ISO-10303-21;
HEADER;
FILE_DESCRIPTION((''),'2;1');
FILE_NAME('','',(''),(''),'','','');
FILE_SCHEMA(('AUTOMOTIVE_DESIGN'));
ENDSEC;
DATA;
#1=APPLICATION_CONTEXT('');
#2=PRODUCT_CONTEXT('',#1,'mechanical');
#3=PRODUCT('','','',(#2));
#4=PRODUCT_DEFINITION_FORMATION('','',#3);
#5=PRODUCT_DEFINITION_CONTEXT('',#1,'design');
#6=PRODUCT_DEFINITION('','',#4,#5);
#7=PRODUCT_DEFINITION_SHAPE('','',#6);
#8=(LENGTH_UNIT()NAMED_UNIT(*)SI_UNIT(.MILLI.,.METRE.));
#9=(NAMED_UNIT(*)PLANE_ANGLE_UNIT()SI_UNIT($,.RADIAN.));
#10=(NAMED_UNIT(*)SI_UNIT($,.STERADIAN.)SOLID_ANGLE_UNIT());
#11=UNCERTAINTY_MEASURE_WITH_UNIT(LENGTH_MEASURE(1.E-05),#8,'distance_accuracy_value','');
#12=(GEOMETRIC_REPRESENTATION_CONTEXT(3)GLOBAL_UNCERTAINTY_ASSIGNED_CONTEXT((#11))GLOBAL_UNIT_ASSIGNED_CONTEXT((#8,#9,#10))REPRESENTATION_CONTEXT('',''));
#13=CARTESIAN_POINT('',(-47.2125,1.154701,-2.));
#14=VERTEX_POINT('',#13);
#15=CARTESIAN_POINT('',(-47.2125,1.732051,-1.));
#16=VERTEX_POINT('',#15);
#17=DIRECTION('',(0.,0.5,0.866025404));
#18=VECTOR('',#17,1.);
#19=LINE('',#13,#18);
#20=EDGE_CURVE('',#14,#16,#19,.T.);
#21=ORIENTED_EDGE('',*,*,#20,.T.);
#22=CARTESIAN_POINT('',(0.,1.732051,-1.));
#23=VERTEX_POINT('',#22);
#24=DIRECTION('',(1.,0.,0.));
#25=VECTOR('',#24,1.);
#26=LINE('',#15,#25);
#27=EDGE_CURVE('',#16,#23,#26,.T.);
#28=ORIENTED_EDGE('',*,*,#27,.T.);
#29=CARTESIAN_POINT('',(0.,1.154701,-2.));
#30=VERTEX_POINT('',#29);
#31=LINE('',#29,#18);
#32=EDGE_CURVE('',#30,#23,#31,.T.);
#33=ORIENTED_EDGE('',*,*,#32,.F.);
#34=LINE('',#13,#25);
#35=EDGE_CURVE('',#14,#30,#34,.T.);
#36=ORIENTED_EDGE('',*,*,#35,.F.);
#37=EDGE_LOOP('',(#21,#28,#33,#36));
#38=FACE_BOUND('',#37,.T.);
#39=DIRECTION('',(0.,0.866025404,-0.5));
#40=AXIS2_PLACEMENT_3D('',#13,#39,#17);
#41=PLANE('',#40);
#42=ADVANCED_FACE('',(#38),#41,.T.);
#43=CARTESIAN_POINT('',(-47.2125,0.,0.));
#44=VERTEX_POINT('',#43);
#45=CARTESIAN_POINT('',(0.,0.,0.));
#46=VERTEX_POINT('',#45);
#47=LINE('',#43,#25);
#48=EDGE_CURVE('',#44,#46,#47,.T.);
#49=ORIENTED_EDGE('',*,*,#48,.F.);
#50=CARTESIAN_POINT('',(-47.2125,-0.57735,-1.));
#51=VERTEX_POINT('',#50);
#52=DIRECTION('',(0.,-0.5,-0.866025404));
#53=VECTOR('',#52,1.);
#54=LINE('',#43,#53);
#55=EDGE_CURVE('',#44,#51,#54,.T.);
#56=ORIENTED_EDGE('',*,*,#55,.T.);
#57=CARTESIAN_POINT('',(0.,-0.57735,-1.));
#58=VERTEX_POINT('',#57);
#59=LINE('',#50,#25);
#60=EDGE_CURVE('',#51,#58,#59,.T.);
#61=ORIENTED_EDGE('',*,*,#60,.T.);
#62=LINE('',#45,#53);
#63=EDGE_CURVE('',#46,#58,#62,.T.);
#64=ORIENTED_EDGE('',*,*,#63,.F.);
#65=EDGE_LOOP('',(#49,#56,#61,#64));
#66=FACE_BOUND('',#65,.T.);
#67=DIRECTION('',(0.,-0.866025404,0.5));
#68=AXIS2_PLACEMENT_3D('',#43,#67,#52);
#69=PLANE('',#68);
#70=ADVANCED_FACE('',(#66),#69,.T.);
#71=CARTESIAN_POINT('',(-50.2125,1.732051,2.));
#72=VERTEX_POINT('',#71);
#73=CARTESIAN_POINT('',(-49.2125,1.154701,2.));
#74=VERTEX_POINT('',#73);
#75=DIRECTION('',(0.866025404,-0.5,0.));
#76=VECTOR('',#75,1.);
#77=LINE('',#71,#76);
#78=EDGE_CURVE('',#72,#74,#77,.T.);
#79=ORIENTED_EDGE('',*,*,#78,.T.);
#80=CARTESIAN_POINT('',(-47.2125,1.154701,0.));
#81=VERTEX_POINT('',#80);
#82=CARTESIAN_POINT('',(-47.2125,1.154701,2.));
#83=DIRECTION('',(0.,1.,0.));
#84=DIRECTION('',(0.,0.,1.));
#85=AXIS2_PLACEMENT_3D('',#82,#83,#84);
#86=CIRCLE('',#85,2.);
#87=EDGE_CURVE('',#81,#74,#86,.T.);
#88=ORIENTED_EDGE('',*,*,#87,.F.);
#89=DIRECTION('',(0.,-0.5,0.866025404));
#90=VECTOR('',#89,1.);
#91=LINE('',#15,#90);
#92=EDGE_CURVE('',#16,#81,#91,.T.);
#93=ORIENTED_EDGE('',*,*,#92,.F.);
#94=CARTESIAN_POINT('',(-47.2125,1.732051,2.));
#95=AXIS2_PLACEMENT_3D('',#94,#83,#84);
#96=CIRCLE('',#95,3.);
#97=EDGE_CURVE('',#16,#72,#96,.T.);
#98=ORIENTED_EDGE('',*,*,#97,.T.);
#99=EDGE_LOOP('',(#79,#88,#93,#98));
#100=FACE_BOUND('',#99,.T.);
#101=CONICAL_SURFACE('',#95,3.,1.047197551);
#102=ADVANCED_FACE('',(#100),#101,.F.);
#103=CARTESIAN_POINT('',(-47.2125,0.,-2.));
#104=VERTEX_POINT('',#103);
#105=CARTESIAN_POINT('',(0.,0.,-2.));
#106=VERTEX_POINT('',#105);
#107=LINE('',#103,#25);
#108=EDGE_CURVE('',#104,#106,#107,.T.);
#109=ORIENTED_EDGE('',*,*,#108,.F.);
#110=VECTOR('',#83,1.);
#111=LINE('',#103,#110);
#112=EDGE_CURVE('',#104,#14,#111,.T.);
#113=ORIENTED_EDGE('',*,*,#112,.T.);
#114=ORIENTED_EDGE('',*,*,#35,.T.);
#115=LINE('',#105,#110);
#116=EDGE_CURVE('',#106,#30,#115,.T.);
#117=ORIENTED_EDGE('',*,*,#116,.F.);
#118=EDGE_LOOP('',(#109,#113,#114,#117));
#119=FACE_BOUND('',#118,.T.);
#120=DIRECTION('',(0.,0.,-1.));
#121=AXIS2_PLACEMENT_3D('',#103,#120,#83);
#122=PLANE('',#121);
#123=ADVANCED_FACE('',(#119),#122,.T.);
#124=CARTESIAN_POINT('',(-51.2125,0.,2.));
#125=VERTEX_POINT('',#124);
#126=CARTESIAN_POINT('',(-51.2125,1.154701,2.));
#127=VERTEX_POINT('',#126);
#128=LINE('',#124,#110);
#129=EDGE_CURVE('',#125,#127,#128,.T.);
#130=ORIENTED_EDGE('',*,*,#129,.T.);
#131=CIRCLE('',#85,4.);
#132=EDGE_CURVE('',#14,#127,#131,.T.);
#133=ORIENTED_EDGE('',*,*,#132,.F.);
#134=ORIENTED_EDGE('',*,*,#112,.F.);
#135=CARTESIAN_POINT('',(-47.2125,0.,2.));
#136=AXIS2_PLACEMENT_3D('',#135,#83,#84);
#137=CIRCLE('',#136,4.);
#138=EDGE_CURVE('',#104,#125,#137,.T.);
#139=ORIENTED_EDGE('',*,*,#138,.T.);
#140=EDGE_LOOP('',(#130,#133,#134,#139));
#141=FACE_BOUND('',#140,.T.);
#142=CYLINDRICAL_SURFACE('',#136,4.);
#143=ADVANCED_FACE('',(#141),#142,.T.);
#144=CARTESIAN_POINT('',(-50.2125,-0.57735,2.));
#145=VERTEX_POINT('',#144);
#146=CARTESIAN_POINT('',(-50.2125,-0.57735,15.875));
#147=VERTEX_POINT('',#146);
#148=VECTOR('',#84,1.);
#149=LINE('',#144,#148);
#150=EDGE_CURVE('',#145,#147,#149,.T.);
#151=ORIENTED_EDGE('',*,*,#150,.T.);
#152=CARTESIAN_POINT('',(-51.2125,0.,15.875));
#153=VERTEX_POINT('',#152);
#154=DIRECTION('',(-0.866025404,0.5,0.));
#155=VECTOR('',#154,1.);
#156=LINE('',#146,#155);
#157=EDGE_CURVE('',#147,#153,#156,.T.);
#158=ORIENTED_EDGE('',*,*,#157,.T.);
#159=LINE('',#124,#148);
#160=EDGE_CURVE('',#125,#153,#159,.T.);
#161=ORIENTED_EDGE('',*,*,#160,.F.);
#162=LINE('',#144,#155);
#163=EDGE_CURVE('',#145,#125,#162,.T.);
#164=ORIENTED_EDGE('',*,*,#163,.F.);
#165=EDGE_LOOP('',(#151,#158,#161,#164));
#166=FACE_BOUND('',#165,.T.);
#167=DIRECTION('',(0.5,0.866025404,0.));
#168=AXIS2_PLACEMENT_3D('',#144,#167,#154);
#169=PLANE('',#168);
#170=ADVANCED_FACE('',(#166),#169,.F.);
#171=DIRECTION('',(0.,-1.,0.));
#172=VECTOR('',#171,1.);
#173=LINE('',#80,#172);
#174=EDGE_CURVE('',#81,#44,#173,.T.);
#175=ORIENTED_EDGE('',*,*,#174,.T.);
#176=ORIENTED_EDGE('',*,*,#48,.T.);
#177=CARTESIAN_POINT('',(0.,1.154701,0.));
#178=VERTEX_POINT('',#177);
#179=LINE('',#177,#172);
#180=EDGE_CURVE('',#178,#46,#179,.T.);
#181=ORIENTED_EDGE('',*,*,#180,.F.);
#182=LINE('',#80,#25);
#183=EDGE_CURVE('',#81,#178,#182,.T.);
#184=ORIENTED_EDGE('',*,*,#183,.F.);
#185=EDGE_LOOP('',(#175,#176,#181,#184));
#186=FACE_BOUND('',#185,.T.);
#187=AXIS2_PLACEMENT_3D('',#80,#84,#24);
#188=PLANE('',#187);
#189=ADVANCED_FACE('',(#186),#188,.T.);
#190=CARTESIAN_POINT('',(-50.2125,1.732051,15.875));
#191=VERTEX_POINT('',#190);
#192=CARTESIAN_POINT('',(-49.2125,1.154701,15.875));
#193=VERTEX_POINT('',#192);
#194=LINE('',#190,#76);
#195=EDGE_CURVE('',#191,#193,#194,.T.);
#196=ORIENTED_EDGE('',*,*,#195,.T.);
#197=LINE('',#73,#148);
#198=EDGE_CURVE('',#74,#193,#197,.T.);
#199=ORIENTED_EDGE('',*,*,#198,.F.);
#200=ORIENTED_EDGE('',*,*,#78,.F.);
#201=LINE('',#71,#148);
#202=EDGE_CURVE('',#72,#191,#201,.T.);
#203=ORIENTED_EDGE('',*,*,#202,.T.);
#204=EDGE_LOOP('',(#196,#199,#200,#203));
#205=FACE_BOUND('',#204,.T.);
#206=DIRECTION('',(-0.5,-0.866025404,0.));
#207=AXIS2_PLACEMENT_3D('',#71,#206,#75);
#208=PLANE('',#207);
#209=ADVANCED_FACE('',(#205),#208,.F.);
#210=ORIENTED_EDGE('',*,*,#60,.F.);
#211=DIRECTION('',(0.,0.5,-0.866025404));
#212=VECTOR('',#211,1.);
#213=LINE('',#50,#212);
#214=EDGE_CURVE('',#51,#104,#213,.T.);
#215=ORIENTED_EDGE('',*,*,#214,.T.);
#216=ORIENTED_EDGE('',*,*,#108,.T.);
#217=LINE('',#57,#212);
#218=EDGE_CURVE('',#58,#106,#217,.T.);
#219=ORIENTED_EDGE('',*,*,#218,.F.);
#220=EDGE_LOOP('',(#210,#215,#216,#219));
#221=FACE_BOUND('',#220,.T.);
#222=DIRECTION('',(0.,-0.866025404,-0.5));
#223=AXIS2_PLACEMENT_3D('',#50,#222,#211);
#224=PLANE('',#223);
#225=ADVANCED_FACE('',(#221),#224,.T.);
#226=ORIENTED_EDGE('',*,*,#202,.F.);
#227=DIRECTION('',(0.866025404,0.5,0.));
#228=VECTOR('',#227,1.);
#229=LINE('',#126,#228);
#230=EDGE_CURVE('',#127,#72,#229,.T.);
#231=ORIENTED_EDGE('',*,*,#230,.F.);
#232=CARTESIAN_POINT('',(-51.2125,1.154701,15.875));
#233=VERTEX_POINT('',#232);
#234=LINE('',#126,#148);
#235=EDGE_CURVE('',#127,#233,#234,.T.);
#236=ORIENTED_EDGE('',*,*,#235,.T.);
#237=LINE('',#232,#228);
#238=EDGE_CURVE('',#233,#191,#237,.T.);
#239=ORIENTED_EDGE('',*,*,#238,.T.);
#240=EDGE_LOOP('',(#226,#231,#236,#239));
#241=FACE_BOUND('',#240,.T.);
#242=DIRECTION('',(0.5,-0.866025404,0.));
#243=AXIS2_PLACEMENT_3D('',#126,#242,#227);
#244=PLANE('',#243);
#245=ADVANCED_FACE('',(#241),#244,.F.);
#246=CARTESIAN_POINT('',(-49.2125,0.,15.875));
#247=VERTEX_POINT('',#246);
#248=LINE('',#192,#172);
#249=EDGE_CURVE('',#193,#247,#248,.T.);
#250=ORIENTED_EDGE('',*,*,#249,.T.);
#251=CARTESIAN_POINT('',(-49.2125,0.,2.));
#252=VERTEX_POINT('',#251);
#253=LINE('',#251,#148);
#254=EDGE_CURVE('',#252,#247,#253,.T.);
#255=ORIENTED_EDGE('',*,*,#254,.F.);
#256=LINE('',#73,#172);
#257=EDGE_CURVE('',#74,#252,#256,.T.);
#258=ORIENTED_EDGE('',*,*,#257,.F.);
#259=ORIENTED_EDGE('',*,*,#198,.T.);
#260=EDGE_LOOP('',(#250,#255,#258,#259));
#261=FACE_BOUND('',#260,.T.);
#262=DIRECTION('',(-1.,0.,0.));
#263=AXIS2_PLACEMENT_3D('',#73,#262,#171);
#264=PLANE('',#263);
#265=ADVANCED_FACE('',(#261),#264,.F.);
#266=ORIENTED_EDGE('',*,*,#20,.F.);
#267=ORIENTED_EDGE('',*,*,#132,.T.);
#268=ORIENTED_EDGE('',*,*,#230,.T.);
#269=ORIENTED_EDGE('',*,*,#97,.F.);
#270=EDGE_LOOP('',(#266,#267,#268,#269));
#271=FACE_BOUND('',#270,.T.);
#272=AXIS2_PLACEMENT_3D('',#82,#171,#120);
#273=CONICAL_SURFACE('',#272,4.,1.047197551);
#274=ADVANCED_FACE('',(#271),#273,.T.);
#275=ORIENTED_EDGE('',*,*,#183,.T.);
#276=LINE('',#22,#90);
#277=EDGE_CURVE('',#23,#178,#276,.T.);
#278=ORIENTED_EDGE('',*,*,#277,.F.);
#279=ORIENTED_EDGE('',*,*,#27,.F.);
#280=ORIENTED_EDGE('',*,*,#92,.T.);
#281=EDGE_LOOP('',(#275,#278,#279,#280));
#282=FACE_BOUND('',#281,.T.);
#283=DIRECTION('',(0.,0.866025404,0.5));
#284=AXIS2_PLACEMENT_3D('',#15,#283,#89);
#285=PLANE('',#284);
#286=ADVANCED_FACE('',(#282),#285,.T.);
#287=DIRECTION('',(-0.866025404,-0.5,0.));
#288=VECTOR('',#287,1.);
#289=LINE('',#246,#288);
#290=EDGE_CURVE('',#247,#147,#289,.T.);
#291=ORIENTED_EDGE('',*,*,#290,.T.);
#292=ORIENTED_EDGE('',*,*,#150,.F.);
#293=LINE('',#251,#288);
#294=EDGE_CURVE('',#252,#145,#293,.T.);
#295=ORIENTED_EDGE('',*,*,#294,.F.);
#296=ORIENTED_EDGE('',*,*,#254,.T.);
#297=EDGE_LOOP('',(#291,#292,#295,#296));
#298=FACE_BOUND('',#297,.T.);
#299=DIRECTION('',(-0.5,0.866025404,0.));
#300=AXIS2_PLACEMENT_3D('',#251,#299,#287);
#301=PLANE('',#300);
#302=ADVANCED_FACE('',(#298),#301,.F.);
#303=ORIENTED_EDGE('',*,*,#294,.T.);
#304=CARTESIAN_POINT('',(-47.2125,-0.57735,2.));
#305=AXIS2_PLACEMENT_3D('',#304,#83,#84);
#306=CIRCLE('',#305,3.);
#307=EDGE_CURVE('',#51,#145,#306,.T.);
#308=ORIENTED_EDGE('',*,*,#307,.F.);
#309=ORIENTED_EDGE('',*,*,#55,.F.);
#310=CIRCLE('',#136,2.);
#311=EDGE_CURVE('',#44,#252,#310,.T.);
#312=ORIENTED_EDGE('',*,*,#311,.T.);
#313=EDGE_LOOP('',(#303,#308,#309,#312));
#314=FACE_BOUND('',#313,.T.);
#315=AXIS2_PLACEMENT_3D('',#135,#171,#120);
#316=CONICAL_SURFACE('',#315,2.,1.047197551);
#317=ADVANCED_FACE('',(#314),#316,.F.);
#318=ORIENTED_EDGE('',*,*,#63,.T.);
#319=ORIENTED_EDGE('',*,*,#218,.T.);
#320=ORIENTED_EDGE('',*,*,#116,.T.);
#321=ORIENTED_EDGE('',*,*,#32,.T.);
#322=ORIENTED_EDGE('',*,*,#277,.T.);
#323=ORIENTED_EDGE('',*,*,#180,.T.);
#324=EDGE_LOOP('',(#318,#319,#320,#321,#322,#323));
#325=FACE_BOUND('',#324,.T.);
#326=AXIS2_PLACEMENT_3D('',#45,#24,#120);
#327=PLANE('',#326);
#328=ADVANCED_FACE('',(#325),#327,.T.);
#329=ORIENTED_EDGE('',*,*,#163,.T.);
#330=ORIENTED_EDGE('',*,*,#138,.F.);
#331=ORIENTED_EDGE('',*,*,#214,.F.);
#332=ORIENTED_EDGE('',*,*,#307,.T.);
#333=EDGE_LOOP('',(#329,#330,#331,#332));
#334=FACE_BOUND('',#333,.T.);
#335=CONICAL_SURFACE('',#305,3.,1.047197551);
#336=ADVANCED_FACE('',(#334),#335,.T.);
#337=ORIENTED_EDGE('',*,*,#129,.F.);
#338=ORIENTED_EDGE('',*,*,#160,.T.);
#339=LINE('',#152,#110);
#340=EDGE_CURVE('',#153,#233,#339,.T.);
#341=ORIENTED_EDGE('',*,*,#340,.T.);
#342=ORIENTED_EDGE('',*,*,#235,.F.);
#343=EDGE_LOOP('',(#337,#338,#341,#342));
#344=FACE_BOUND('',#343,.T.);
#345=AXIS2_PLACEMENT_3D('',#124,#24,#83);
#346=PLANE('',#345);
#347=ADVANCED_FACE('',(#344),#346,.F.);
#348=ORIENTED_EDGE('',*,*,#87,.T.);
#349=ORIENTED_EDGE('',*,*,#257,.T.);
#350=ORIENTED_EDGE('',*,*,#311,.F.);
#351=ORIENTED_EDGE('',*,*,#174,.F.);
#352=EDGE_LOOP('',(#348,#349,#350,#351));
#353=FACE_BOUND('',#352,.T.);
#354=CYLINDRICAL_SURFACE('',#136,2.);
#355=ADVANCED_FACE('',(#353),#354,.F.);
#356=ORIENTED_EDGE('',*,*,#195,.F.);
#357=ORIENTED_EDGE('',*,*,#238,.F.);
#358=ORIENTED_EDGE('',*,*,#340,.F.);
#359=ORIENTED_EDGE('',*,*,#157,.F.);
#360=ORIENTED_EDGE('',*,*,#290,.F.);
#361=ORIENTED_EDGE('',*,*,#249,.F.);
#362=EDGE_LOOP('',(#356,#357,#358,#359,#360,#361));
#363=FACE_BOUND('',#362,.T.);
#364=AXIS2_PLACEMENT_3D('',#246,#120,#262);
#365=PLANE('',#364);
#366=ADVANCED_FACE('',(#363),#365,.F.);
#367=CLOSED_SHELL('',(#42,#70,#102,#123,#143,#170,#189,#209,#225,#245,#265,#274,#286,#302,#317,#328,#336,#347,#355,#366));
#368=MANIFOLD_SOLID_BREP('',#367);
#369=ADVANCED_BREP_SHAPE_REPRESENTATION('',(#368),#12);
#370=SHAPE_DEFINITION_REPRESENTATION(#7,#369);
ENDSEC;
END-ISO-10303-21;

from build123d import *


with BuildPart() as part:
    # Sweep1: sweep along a path in Sketch1
    with BuildLine(Plane(origin=(0, 0, 0), x_dir=(1, 0, 0), z_dir=(0, 1, 0))) as sweep1_path:
        Line((0, 0), (-47.2125, 0))
        ThreePointArc((-47.2125, 0), (-48.626713562, -0.585786438), (-49.2125, -2))
        Line((-49.2125, -2), (-49.2125, -15.875))
    # Sketch2 → Sweep1 (sweep)
    with BuildSketch(Plane(origin=(0, 0, 0), x_dir=(0, 0, -1), z_dir=(1, 0, 0))):
        Polygon((1, -0.577350269), (2, 0), (2, 1.154700538), (1, 1.732050808), (0, 1.154700538), (0, 0), align=None)
    sweep(path=sweep1_path.line)


solid = part.part
